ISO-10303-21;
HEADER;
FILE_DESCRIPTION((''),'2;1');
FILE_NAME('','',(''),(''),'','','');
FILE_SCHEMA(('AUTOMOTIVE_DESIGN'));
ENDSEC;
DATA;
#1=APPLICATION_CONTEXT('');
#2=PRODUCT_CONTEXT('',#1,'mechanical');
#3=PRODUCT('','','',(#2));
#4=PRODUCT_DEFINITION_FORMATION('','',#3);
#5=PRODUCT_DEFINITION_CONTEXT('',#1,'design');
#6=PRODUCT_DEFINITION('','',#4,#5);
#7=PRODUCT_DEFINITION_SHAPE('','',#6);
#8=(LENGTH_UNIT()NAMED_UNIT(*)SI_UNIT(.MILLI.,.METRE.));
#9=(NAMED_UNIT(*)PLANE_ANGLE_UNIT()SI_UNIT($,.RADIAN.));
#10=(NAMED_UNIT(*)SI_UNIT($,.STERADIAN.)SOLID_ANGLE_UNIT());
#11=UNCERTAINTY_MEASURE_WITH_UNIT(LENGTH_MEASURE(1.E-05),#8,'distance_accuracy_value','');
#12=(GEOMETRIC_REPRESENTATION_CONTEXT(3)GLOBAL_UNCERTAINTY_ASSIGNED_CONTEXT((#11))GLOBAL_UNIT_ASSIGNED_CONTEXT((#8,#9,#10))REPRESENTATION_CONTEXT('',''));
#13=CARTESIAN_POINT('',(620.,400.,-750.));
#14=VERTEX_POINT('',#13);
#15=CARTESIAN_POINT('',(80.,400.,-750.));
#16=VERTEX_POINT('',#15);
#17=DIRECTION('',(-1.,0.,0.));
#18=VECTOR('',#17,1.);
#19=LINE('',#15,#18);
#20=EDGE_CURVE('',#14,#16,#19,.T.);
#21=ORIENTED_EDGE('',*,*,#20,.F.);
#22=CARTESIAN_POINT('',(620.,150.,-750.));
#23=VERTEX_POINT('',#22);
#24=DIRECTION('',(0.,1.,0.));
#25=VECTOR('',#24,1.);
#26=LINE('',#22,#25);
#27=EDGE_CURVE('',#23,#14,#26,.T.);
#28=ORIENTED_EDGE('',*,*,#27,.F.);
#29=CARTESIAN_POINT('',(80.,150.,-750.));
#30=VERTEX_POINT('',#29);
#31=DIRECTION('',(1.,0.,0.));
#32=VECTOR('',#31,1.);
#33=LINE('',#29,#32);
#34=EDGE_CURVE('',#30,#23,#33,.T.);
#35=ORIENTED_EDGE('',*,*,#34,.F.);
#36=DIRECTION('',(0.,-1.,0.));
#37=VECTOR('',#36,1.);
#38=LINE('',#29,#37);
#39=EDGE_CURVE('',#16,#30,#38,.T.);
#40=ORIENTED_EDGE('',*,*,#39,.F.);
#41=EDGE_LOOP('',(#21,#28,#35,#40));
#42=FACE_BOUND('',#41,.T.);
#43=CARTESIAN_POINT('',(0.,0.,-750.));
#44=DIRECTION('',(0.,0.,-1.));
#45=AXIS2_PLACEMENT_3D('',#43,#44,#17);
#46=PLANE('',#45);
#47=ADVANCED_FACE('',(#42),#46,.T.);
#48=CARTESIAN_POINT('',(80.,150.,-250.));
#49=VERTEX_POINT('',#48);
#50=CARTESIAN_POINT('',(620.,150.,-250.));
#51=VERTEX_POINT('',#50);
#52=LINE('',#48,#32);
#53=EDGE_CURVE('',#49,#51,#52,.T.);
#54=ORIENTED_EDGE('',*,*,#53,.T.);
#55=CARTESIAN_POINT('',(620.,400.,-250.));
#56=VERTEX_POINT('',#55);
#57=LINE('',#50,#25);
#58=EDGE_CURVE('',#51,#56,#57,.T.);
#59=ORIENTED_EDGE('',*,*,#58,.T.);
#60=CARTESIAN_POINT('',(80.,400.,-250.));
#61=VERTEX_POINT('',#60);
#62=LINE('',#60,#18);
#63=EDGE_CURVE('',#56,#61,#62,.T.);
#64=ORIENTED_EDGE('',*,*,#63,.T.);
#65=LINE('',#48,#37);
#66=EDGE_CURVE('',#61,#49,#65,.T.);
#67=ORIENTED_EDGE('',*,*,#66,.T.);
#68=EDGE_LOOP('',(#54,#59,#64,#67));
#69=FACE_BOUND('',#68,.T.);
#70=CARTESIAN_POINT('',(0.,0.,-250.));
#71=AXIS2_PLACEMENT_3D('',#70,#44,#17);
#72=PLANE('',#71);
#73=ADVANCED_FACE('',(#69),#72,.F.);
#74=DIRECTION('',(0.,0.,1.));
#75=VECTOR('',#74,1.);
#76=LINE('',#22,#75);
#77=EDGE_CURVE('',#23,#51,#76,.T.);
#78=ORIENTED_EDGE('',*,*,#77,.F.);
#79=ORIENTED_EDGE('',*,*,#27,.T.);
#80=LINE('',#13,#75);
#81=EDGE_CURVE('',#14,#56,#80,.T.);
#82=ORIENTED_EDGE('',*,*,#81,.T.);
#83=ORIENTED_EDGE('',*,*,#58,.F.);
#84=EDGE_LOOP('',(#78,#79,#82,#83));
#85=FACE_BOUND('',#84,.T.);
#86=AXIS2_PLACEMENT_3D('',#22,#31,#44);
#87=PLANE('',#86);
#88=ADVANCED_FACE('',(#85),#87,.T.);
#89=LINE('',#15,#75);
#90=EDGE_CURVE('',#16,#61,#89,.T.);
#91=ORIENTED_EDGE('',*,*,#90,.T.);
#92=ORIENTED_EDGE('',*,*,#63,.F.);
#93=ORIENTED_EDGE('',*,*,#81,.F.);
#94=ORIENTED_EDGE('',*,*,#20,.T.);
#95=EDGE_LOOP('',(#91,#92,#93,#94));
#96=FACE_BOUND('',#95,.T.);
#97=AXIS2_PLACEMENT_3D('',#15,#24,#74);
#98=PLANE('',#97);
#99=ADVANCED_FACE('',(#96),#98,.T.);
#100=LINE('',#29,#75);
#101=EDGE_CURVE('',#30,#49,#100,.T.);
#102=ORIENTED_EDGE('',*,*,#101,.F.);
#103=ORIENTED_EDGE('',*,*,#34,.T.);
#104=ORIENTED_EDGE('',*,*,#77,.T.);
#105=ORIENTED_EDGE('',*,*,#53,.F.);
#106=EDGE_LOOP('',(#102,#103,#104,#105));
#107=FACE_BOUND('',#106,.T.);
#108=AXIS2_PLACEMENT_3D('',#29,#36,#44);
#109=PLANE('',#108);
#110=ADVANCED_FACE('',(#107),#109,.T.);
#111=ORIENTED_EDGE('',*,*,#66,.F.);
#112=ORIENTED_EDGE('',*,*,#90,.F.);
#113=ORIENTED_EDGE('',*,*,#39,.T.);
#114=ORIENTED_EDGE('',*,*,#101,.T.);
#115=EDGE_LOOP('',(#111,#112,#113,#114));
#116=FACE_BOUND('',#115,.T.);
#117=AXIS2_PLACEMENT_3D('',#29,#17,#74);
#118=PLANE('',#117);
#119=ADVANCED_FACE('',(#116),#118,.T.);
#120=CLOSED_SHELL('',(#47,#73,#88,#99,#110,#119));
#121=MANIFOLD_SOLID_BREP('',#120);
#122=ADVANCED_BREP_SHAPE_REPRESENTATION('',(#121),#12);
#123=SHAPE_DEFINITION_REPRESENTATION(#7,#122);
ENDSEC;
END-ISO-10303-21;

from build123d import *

# Parameters (mm, degrees)
PRESS_PZP400_MOTOR_REZISTANS_GOVDESI_1_START = -250
SKETCH1_W                                    = 540
SKETCH1_H                                    = 250
PRESS_PZP400_MOTOR_REZISTANS_GOVDESI_1_DEPTH = 500


with BuildPart() as part:
    # Sketch1 → PRESS_PZP400_motor_rezistans_govdesi_1 (new body)
    with BuildSketch(Plane.XY.offset(PRESS_PZP400_MOTOR_REZISTANS_GOVDESI_1_START)):
        with Locations((350, 275)):
            Rectangle(SKETCH1_W, SKETCH1_H)
    extrude(amount=-PRESS_PZP400_MOTOR_REZISTANS_GOVDESI_1_DEPTH)


solid = part.part
